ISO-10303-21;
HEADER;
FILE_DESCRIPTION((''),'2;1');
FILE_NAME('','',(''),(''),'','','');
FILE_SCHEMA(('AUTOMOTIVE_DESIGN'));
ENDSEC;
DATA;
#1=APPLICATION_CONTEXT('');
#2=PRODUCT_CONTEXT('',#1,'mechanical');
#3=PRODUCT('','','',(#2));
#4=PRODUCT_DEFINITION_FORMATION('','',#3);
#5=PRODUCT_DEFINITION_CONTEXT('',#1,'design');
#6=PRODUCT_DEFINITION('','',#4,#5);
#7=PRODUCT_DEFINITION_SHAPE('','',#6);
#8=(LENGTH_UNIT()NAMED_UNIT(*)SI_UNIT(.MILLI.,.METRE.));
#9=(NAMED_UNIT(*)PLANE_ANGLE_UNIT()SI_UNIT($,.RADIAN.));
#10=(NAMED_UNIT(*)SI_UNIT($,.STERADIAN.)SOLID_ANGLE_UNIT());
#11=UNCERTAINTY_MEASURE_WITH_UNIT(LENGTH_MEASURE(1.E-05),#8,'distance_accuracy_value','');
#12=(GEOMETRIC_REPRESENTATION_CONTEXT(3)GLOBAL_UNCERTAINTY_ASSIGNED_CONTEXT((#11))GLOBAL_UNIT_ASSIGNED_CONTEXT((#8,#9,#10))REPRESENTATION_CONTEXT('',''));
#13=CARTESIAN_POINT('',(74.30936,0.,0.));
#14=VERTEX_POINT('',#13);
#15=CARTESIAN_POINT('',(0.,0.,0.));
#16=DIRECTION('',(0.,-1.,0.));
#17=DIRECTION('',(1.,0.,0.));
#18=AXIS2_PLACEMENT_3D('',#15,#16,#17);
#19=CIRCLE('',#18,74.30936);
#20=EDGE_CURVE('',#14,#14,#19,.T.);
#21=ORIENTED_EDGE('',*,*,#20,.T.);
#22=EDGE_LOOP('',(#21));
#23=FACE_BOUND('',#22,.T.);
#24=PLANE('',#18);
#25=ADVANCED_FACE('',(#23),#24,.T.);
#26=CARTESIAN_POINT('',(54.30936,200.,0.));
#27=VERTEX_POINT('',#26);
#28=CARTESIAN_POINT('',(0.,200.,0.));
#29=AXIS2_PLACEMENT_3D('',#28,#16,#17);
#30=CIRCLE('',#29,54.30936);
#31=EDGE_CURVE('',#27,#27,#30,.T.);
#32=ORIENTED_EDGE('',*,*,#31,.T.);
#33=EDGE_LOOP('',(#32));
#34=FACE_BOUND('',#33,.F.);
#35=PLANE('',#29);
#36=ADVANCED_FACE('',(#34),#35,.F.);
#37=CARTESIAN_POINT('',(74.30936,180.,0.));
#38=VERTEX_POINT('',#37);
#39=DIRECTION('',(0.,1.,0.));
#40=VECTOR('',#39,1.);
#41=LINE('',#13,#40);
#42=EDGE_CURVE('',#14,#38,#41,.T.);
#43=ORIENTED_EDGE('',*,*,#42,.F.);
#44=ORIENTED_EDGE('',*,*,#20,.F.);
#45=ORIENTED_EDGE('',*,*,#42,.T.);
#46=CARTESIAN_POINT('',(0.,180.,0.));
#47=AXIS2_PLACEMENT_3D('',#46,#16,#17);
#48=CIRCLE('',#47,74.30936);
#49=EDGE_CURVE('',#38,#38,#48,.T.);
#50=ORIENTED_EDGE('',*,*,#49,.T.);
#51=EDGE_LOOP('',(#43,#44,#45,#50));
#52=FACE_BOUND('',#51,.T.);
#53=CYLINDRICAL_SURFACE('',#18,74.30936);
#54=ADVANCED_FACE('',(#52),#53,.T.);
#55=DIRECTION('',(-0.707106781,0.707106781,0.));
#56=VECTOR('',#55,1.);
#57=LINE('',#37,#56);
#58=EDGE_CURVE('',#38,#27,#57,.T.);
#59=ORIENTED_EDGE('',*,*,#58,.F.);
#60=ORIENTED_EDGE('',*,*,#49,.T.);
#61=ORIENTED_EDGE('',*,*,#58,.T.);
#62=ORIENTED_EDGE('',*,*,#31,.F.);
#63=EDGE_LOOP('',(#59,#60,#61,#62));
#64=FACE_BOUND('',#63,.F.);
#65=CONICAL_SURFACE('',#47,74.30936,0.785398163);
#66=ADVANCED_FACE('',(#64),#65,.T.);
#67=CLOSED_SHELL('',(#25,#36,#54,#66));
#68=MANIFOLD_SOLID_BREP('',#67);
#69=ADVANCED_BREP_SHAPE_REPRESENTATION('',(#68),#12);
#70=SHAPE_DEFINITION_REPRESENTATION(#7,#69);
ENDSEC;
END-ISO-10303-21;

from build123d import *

# Parameters (mm, degrees)
F1_R     = 74.30936
F2_DEPTH = 200
F3_SIZE  = 20


with BuildPart() as f2:
    # F1 (on face) → F2 (new body)
    with BuildSketch(Plane.XZ):
        Circle(F1_R)
    extrude(amount=-F2_DEPTH)

    # F3
    f3_edges = [f2.edges().sort_by_distance(p)[0] for p in [
        (-74.30936, 200, 0),
    ]]
    chamfer(f3_edges, length=F3_SIZE)


solid = f2.part
